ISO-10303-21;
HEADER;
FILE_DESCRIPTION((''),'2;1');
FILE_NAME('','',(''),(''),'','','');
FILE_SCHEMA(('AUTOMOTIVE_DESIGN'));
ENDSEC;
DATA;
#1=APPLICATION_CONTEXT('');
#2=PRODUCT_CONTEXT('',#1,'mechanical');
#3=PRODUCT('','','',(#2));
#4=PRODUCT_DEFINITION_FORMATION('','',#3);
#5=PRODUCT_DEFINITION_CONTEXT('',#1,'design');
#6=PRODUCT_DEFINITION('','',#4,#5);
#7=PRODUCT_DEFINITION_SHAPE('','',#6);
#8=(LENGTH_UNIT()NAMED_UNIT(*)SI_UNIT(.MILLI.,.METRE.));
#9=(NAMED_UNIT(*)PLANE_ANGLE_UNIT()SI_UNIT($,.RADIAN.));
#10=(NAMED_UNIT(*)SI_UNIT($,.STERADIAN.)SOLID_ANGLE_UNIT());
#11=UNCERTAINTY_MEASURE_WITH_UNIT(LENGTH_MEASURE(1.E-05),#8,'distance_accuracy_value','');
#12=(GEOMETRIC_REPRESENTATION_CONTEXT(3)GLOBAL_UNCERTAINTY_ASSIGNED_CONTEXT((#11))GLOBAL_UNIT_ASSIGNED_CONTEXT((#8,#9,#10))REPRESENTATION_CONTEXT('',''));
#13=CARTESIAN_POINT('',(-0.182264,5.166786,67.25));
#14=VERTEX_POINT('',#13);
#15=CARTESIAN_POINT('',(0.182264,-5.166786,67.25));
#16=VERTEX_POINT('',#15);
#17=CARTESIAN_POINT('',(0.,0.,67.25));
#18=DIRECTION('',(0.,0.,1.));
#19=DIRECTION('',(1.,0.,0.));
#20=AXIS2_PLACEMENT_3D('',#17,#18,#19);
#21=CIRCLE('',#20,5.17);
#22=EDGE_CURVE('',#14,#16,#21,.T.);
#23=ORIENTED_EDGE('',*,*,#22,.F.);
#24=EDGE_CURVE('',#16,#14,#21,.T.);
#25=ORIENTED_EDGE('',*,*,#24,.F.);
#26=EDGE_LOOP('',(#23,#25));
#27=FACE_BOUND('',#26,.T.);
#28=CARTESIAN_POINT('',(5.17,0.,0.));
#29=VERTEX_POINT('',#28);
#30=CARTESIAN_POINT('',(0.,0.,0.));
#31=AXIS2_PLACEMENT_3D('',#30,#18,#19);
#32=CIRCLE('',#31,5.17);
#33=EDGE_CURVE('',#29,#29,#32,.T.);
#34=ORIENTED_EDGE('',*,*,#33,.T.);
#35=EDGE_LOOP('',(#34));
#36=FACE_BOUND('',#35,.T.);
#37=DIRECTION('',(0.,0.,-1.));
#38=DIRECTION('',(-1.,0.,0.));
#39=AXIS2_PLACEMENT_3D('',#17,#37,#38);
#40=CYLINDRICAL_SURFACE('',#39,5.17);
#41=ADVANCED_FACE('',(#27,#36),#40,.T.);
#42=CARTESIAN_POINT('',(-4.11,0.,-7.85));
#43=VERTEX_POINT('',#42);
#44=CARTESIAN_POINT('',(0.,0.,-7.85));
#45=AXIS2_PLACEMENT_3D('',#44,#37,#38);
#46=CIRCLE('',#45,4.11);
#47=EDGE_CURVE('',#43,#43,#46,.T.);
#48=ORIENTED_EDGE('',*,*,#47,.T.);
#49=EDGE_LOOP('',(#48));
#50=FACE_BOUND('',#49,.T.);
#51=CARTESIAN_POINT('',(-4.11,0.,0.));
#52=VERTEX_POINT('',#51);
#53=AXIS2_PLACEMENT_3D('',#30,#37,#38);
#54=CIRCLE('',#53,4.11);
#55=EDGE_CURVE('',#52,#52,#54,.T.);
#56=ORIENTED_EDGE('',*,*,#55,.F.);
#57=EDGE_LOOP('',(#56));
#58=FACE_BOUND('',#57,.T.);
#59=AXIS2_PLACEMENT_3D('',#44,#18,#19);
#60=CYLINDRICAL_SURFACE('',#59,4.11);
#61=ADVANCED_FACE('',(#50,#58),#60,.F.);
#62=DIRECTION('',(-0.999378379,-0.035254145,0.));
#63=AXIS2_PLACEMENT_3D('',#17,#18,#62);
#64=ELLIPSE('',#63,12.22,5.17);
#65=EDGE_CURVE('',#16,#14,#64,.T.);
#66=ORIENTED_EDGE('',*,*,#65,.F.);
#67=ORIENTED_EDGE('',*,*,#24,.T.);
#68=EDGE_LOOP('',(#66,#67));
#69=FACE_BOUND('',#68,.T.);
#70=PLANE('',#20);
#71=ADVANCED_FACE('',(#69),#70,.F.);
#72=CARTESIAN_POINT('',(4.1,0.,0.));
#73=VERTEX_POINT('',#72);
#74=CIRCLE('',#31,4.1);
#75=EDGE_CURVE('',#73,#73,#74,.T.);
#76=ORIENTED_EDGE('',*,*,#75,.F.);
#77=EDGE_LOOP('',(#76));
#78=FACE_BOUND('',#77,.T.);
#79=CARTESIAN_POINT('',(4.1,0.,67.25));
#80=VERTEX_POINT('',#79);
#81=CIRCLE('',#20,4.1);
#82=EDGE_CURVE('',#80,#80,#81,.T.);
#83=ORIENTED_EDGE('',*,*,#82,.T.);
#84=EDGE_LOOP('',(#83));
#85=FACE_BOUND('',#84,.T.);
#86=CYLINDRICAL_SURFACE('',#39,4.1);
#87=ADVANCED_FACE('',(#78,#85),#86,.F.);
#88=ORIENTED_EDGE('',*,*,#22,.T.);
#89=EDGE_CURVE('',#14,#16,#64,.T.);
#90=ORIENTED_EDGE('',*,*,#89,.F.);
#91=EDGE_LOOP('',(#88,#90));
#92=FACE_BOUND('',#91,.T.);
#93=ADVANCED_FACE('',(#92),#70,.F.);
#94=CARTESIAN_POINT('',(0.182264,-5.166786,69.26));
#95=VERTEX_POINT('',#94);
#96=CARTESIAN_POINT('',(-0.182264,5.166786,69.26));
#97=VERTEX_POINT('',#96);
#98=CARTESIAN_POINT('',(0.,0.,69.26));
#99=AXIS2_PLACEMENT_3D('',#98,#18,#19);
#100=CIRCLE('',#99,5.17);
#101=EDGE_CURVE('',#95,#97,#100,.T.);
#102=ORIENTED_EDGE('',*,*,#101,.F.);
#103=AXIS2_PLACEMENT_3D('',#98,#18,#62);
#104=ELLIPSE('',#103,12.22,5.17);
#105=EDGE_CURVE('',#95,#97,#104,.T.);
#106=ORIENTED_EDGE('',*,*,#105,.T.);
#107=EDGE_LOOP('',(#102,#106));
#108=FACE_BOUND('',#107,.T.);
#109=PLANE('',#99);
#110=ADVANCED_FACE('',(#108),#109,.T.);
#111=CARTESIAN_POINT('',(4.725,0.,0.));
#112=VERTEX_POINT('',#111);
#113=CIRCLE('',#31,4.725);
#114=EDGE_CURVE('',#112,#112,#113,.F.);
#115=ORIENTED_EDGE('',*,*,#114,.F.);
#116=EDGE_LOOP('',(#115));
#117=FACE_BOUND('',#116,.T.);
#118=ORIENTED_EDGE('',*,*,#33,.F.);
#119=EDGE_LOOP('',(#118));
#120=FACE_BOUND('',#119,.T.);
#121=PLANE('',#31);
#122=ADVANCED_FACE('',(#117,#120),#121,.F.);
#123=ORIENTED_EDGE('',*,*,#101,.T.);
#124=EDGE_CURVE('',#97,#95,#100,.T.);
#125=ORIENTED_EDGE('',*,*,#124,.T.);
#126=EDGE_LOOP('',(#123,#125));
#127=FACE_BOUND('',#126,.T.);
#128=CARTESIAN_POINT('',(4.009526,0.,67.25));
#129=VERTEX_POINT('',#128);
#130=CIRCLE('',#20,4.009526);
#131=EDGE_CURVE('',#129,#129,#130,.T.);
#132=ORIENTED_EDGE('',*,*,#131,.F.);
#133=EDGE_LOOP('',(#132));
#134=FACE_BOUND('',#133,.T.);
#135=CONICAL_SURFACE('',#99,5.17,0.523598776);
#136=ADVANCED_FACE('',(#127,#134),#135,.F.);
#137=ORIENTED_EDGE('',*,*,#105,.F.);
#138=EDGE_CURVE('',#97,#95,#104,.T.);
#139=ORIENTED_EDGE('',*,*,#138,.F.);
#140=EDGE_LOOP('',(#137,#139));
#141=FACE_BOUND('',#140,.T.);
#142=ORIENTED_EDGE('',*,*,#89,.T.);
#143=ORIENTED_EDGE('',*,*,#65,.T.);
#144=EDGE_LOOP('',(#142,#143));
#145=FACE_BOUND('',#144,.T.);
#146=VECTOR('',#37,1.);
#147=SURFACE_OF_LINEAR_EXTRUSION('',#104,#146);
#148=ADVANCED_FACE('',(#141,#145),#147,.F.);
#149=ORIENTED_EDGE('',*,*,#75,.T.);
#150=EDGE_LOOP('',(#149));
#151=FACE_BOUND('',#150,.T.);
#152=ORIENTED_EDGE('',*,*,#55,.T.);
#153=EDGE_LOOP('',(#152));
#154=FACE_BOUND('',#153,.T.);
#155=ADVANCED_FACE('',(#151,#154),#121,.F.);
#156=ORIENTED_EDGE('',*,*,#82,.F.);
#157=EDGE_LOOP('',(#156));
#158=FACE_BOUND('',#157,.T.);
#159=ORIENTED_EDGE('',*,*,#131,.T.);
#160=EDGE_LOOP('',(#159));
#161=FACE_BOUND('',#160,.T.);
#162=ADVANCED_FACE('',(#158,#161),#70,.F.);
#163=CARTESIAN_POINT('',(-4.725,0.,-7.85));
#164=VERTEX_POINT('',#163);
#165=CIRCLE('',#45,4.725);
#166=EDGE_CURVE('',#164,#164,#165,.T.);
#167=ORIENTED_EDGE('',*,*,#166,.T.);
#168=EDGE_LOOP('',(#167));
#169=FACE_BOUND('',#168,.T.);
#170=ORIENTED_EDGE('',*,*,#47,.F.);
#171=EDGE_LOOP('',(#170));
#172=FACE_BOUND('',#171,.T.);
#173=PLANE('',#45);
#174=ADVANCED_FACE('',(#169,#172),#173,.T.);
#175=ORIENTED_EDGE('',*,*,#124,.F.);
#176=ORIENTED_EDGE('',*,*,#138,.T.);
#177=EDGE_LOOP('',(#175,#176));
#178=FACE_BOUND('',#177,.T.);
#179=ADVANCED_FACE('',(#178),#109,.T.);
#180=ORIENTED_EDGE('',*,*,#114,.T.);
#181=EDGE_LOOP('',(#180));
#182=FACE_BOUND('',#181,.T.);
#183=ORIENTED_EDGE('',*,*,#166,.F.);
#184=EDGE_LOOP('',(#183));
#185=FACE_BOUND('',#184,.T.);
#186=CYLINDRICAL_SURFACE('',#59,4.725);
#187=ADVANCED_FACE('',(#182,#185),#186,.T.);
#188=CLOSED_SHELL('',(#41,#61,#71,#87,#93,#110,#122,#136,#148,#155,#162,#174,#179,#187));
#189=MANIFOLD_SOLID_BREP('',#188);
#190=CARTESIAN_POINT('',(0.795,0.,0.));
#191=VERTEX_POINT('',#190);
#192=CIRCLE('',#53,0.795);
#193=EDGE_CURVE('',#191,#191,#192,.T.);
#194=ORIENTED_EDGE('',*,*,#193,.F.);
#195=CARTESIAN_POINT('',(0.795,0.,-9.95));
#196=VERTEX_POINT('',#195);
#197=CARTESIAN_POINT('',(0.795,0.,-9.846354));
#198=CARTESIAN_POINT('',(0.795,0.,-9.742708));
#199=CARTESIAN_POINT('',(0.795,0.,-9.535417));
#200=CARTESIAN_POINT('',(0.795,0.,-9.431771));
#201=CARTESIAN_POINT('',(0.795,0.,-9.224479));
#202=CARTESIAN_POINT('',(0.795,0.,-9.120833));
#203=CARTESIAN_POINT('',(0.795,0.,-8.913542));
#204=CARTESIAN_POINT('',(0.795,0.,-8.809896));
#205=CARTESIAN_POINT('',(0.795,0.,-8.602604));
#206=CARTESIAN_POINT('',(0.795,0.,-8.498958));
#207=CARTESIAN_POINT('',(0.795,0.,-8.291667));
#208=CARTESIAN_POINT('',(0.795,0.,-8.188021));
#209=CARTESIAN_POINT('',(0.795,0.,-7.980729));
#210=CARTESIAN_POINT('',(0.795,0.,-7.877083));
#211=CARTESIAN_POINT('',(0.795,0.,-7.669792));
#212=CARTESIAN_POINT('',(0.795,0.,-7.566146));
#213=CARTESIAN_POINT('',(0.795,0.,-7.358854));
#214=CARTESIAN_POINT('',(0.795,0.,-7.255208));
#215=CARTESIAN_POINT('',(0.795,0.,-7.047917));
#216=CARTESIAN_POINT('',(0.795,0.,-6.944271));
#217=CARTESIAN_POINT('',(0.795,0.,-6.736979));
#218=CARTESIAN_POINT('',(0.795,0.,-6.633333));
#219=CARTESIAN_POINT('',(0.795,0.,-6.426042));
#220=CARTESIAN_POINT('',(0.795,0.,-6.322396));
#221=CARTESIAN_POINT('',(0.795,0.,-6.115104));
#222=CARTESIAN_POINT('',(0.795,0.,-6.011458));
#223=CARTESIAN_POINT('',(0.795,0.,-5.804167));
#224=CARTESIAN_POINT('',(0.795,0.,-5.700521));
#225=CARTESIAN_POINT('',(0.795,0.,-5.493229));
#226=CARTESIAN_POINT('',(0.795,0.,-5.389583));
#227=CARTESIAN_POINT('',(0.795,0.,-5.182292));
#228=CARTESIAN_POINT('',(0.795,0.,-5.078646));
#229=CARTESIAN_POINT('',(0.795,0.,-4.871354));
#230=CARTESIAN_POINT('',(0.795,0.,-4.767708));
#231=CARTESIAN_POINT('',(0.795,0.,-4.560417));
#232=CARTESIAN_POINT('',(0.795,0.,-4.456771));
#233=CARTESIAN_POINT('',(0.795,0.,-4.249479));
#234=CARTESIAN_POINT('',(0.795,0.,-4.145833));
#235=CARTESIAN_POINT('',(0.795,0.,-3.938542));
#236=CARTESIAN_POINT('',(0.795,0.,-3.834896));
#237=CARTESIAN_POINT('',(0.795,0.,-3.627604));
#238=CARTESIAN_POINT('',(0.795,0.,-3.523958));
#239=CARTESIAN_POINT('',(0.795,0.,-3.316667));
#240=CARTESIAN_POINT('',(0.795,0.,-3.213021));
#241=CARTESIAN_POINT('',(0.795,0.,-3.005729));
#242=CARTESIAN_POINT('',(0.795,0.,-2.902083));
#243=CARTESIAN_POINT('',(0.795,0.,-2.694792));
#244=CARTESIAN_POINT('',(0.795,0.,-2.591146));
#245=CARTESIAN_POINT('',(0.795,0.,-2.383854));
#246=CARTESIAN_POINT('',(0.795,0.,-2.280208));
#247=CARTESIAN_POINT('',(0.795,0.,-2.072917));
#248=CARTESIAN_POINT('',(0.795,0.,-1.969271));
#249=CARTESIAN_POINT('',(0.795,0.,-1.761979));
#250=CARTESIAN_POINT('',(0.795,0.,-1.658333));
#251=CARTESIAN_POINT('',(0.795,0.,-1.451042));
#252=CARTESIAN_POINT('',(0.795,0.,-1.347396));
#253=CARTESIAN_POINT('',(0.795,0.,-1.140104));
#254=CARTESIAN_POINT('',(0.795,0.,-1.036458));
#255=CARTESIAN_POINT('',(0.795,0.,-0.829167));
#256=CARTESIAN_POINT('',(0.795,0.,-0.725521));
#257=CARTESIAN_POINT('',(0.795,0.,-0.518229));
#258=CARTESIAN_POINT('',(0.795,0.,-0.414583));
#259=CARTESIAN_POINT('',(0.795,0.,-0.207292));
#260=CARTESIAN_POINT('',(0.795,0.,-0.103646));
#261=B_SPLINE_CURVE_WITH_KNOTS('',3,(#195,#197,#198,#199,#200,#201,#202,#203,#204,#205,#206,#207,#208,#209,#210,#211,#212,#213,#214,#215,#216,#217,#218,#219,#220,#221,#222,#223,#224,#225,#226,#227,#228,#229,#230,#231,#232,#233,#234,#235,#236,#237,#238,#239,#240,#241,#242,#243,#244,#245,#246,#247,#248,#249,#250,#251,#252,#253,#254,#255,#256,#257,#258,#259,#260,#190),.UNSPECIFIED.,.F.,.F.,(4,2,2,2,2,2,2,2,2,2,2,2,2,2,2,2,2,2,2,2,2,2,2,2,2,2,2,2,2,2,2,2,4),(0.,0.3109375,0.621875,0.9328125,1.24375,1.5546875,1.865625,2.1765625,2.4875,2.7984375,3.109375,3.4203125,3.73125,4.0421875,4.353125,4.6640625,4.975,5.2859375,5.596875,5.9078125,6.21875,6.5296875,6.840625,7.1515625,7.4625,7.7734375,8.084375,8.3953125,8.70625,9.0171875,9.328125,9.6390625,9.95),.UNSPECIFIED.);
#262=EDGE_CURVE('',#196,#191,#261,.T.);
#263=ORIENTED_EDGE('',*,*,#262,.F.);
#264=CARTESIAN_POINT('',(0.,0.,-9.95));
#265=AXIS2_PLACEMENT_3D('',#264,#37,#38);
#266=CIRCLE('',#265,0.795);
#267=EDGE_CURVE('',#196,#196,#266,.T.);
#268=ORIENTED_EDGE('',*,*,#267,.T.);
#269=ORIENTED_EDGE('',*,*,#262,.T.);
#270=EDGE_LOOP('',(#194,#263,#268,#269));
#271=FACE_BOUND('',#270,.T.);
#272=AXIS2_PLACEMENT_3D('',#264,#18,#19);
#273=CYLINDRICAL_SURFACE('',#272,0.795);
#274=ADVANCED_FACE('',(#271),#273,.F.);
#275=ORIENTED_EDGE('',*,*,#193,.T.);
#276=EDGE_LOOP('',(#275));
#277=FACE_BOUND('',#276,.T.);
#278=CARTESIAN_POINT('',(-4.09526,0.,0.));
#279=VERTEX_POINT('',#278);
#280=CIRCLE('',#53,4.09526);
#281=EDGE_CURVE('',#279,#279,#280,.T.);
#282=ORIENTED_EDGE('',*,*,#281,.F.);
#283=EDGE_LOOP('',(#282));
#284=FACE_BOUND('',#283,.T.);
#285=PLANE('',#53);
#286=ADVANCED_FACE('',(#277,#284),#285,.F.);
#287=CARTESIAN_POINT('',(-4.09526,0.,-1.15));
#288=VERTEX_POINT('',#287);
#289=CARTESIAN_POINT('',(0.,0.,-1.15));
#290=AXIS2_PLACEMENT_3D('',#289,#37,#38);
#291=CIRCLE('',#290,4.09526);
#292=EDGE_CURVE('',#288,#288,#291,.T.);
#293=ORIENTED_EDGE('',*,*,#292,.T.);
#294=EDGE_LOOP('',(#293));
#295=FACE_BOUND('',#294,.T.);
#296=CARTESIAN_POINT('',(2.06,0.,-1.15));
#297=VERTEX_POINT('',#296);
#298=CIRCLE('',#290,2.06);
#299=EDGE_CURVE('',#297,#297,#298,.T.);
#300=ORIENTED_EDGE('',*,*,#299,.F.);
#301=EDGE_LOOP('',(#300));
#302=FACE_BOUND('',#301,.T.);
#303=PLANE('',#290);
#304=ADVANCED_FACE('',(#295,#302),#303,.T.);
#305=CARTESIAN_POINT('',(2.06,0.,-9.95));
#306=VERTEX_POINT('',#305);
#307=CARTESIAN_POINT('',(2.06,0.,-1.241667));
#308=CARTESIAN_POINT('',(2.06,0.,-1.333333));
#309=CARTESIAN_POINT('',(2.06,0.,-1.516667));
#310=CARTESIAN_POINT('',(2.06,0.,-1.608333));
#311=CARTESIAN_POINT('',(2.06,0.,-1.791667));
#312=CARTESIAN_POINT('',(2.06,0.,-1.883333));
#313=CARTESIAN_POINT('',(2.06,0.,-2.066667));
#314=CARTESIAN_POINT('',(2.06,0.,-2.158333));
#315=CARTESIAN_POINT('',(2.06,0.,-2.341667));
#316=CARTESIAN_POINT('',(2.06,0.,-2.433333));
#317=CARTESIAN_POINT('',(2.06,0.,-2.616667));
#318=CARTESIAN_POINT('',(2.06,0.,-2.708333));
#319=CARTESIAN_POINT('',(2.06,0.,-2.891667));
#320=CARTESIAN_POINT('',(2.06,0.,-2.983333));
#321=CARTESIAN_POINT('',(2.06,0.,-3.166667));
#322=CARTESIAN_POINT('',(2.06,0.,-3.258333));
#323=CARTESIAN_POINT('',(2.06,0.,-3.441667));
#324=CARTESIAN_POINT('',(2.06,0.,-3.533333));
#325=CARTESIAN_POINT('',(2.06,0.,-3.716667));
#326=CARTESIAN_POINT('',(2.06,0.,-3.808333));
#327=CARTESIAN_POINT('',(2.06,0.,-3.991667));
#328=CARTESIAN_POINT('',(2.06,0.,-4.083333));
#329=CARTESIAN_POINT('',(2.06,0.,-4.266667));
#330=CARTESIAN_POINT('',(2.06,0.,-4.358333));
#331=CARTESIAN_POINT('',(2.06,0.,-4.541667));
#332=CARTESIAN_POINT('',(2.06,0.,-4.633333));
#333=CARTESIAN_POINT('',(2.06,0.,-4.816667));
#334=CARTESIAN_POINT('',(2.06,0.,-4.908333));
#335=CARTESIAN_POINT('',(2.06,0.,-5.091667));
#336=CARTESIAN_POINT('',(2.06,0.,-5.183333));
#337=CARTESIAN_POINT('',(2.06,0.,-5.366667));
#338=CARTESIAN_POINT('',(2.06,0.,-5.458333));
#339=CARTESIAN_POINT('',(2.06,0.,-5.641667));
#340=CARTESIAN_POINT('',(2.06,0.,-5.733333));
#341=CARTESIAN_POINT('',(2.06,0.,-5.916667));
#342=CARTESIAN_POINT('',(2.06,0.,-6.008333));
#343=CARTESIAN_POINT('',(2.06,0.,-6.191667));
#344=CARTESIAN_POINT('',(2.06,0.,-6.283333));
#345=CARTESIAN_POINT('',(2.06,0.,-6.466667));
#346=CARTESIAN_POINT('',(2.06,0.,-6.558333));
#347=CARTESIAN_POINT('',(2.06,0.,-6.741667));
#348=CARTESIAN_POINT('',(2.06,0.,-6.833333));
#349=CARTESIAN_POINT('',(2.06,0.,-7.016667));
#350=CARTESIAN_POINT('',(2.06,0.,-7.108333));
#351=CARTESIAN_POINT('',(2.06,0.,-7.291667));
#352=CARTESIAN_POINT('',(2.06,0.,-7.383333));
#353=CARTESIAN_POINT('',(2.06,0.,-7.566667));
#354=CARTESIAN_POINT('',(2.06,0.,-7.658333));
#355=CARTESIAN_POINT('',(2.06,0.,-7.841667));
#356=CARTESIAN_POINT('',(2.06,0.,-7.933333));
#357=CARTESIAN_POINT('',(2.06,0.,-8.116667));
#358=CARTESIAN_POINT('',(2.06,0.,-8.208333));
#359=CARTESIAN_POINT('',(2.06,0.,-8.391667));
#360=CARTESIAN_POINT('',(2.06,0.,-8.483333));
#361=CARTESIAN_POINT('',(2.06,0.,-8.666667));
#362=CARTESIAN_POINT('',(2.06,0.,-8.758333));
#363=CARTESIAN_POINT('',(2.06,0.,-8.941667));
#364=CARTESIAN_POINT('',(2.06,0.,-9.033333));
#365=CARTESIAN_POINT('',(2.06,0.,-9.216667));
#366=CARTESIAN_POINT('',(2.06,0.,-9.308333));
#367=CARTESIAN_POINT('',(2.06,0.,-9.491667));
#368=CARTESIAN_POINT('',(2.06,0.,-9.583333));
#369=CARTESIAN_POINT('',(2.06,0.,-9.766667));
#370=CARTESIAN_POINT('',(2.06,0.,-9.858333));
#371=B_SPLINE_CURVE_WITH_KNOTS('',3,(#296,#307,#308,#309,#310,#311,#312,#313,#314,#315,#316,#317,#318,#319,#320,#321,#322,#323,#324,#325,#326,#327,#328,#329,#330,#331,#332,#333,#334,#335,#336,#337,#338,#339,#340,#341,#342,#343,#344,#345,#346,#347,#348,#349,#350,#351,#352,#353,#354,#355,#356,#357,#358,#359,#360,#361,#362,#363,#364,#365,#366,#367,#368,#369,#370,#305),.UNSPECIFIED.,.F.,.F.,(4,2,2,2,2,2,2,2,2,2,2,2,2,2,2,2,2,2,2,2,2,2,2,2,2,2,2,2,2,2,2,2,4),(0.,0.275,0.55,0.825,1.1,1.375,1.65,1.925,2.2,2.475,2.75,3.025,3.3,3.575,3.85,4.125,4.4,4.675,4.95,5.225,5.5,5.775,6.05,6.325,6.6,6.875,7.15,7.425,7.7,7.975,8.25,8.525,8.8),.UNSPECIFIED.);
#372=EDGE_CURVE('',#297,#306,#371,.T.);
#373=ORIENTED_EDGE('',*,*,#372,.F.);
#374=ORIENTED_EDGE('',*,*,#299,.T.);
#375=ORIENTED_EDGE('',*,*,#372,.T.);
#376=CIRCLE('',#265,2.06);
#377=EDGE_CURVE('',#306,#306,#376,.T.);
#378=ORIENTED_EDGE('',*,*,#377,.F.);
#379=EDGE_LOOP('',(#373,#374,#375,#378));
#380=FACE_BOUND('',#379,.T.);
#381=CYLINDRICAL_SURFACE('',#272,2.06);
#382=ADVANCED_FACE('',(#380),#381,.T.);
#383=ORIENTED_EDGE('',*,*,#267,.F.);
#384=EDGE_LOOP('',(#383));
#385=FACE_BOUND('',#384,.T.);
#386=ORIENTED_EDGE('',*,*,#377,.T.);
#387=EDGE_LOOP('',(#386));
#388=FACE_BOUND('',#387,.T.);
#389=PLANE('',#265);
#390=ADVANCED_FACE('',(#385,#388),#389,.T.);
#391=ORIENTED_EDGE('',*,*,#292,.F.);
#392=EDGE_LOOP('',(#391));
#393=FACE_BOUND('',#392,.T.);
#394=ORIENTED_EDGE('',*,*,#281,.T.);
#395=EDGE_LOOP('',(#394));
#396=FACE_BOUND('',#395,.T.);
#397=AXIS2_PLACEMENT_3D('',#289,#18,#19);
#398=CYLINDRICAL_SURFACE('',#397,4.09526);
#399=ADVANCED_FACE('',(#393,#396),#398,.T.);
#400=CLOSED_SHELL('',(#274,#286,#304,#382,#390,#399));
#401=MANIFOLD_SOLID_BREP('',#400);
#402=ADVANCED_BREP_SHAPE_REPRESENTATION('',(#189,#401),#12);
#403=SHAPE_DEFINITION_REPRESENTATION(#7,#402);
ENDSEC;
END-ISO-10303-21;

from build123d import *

# Parameters (mm, degrees)
SKETCH1_R           = 5.17
SKETCH1_R_2         = 4.1
BOSS_EXTRUDE1_DEPTH = 67.25
SKETCH2_RX          = 12.22
SKETCH2_RY          = 5.17
BOSS_EXTRUDE2_DEPTH = 2.01
SKETCH3_R           = 5.17
CUT_EXTRUDE1_DEPTH  = 2.01
CUT_EXTRUDE1_DRAFT  = -30
SKETCH4_R           = 2.06
SKETCH4_R_2         = 0.795
BOSS_EXTRUDE3_DEPTH = 9.95
SKETCH5_R           = 4.0952596
BOSS_EXTRUDE4_DEPTH = 1.15
SKETCH7_R           = 0.795
CUT_EXTRUDE2_DEPTH  = 81.313643922
SKETCH9_R           = 4.725
SKETCH9_R_2         = 4.11
BOSS_EXTRUDE6_DEPTH = 7.85


with BuildPart() as part:
    # Sketch1 → Boss-Extrude1 (new body)
    with BuildSketch(Plane.XY):
        Circle(SKETCH1_R)
        Circle(SKETCH1_R_2, mode=Mode.SUBTRACT)
    extrude(amount=BOSS_EXTRUDE1_DEPTH)

    # Sketch2 → Boss-Extrude2 (add)
    with BuildSketch(Plane.XY.offset(67.25)):
        with Locations(Location((0, 0), (0, 0, -177.979667621))):
            Ellipse(SKETCH2_RX, SKETCH2_RY)
    extrude(amount=BOSS_EXTRUDE2_DEPTH)


with BuildPart() as cut_extrude1_tool:
    # Sketch3 → Cut-Extrude1 (with draft: the straight prism first)
    with BuildSketch(Plane.XY.offset(69.26)):
        with Locations(Location((0, 0, 0), (0, 0, 92.020332379))):
            Circle(SKETCH3_R)
    extrude(amount=-CUT_EXTRUDE1_DEPTH)
    # Cut-Extrude1: the draft: its side faces are tilted about the plane it starts from
    cut_extrude1_sides = [cut_extrude1_tool.faces().sort_by_distance(p)[0] for p in [
        (0.182263931, -5.166786222, 68.255),
    ]]
    draft(cut_extrude1_sides, Plane.XY.offset(69.26), CUT_EXTRUDE1_DRAFT)


with BuildPart() as part_1:
    add(part.part)

    # Cut-Extrude1: cut by cut_extrude1_tool
    add(cut_extrude1_tool.part, mode=Mode.SUBTRACT)

    # Sketch9 → Boss-Extrude6 (add)
    with BuildSketch(Plane(origin=(0, 0, 0), x_dir=(-1, 0, 0), z_dir=(0, 0, -1))):
        with Locations(Location((0, 0, 0), (0, 0, 180))):
            Circle(SKETCH9_R)
        Circle(SKETCH9_R_2, mode=Mode.SUBTRACT)
    extrude(amount=BOSS_EXTRUDE6_DEPTH)


with BuildPart() as body_2:
    # Sketch4 → Boss-Extrude3 (new body)
    with BuildSketch(Plane(origin=(0, 0, 0), x_dir=(-1, 0, 0), z_dir=(0, 0, -1))):
        with Locations(Location((0, 0, 0), (0, 0, 180))):
            Circle(SKETCH4_R)
        with Locations(Location((0, 0, 0), (0, 0, 180))):
            Circle(SKETCH4_R_2, mode=Mode.SUBTRACT)
    extrude(amount=BOSS_EXTRUDE3_DEPTH)

    # Sketch5 → Boss-Extrude4 (add)
    with BuildSketch(Plane(origin=(0, 0, 0), x_dir=(-1, 0, 0), z_dir=(0, 0, -1))):
        Circle(SKETCH5_R)
    extrude(amount=BOSS_EXTRUDE4_DEPTH)

    # Sketch7 → Cut-Extrude2 (cut, through all)
    with BuildSketch(Plane(origin=(0, 0, -9.95), x_dir=(-1, 0, 0), z_dir=(0, 0, -1))):
        with Locations(Location((0, 0, 0), (0, 0, 180))):
            Circle(SKETCH7_R)
    extrude(amount=-CUT_EXTRUDE2_DEPTH, mode=Mode.SUBTRACT)


solid = Compound([part_1.part, body_2.part])
